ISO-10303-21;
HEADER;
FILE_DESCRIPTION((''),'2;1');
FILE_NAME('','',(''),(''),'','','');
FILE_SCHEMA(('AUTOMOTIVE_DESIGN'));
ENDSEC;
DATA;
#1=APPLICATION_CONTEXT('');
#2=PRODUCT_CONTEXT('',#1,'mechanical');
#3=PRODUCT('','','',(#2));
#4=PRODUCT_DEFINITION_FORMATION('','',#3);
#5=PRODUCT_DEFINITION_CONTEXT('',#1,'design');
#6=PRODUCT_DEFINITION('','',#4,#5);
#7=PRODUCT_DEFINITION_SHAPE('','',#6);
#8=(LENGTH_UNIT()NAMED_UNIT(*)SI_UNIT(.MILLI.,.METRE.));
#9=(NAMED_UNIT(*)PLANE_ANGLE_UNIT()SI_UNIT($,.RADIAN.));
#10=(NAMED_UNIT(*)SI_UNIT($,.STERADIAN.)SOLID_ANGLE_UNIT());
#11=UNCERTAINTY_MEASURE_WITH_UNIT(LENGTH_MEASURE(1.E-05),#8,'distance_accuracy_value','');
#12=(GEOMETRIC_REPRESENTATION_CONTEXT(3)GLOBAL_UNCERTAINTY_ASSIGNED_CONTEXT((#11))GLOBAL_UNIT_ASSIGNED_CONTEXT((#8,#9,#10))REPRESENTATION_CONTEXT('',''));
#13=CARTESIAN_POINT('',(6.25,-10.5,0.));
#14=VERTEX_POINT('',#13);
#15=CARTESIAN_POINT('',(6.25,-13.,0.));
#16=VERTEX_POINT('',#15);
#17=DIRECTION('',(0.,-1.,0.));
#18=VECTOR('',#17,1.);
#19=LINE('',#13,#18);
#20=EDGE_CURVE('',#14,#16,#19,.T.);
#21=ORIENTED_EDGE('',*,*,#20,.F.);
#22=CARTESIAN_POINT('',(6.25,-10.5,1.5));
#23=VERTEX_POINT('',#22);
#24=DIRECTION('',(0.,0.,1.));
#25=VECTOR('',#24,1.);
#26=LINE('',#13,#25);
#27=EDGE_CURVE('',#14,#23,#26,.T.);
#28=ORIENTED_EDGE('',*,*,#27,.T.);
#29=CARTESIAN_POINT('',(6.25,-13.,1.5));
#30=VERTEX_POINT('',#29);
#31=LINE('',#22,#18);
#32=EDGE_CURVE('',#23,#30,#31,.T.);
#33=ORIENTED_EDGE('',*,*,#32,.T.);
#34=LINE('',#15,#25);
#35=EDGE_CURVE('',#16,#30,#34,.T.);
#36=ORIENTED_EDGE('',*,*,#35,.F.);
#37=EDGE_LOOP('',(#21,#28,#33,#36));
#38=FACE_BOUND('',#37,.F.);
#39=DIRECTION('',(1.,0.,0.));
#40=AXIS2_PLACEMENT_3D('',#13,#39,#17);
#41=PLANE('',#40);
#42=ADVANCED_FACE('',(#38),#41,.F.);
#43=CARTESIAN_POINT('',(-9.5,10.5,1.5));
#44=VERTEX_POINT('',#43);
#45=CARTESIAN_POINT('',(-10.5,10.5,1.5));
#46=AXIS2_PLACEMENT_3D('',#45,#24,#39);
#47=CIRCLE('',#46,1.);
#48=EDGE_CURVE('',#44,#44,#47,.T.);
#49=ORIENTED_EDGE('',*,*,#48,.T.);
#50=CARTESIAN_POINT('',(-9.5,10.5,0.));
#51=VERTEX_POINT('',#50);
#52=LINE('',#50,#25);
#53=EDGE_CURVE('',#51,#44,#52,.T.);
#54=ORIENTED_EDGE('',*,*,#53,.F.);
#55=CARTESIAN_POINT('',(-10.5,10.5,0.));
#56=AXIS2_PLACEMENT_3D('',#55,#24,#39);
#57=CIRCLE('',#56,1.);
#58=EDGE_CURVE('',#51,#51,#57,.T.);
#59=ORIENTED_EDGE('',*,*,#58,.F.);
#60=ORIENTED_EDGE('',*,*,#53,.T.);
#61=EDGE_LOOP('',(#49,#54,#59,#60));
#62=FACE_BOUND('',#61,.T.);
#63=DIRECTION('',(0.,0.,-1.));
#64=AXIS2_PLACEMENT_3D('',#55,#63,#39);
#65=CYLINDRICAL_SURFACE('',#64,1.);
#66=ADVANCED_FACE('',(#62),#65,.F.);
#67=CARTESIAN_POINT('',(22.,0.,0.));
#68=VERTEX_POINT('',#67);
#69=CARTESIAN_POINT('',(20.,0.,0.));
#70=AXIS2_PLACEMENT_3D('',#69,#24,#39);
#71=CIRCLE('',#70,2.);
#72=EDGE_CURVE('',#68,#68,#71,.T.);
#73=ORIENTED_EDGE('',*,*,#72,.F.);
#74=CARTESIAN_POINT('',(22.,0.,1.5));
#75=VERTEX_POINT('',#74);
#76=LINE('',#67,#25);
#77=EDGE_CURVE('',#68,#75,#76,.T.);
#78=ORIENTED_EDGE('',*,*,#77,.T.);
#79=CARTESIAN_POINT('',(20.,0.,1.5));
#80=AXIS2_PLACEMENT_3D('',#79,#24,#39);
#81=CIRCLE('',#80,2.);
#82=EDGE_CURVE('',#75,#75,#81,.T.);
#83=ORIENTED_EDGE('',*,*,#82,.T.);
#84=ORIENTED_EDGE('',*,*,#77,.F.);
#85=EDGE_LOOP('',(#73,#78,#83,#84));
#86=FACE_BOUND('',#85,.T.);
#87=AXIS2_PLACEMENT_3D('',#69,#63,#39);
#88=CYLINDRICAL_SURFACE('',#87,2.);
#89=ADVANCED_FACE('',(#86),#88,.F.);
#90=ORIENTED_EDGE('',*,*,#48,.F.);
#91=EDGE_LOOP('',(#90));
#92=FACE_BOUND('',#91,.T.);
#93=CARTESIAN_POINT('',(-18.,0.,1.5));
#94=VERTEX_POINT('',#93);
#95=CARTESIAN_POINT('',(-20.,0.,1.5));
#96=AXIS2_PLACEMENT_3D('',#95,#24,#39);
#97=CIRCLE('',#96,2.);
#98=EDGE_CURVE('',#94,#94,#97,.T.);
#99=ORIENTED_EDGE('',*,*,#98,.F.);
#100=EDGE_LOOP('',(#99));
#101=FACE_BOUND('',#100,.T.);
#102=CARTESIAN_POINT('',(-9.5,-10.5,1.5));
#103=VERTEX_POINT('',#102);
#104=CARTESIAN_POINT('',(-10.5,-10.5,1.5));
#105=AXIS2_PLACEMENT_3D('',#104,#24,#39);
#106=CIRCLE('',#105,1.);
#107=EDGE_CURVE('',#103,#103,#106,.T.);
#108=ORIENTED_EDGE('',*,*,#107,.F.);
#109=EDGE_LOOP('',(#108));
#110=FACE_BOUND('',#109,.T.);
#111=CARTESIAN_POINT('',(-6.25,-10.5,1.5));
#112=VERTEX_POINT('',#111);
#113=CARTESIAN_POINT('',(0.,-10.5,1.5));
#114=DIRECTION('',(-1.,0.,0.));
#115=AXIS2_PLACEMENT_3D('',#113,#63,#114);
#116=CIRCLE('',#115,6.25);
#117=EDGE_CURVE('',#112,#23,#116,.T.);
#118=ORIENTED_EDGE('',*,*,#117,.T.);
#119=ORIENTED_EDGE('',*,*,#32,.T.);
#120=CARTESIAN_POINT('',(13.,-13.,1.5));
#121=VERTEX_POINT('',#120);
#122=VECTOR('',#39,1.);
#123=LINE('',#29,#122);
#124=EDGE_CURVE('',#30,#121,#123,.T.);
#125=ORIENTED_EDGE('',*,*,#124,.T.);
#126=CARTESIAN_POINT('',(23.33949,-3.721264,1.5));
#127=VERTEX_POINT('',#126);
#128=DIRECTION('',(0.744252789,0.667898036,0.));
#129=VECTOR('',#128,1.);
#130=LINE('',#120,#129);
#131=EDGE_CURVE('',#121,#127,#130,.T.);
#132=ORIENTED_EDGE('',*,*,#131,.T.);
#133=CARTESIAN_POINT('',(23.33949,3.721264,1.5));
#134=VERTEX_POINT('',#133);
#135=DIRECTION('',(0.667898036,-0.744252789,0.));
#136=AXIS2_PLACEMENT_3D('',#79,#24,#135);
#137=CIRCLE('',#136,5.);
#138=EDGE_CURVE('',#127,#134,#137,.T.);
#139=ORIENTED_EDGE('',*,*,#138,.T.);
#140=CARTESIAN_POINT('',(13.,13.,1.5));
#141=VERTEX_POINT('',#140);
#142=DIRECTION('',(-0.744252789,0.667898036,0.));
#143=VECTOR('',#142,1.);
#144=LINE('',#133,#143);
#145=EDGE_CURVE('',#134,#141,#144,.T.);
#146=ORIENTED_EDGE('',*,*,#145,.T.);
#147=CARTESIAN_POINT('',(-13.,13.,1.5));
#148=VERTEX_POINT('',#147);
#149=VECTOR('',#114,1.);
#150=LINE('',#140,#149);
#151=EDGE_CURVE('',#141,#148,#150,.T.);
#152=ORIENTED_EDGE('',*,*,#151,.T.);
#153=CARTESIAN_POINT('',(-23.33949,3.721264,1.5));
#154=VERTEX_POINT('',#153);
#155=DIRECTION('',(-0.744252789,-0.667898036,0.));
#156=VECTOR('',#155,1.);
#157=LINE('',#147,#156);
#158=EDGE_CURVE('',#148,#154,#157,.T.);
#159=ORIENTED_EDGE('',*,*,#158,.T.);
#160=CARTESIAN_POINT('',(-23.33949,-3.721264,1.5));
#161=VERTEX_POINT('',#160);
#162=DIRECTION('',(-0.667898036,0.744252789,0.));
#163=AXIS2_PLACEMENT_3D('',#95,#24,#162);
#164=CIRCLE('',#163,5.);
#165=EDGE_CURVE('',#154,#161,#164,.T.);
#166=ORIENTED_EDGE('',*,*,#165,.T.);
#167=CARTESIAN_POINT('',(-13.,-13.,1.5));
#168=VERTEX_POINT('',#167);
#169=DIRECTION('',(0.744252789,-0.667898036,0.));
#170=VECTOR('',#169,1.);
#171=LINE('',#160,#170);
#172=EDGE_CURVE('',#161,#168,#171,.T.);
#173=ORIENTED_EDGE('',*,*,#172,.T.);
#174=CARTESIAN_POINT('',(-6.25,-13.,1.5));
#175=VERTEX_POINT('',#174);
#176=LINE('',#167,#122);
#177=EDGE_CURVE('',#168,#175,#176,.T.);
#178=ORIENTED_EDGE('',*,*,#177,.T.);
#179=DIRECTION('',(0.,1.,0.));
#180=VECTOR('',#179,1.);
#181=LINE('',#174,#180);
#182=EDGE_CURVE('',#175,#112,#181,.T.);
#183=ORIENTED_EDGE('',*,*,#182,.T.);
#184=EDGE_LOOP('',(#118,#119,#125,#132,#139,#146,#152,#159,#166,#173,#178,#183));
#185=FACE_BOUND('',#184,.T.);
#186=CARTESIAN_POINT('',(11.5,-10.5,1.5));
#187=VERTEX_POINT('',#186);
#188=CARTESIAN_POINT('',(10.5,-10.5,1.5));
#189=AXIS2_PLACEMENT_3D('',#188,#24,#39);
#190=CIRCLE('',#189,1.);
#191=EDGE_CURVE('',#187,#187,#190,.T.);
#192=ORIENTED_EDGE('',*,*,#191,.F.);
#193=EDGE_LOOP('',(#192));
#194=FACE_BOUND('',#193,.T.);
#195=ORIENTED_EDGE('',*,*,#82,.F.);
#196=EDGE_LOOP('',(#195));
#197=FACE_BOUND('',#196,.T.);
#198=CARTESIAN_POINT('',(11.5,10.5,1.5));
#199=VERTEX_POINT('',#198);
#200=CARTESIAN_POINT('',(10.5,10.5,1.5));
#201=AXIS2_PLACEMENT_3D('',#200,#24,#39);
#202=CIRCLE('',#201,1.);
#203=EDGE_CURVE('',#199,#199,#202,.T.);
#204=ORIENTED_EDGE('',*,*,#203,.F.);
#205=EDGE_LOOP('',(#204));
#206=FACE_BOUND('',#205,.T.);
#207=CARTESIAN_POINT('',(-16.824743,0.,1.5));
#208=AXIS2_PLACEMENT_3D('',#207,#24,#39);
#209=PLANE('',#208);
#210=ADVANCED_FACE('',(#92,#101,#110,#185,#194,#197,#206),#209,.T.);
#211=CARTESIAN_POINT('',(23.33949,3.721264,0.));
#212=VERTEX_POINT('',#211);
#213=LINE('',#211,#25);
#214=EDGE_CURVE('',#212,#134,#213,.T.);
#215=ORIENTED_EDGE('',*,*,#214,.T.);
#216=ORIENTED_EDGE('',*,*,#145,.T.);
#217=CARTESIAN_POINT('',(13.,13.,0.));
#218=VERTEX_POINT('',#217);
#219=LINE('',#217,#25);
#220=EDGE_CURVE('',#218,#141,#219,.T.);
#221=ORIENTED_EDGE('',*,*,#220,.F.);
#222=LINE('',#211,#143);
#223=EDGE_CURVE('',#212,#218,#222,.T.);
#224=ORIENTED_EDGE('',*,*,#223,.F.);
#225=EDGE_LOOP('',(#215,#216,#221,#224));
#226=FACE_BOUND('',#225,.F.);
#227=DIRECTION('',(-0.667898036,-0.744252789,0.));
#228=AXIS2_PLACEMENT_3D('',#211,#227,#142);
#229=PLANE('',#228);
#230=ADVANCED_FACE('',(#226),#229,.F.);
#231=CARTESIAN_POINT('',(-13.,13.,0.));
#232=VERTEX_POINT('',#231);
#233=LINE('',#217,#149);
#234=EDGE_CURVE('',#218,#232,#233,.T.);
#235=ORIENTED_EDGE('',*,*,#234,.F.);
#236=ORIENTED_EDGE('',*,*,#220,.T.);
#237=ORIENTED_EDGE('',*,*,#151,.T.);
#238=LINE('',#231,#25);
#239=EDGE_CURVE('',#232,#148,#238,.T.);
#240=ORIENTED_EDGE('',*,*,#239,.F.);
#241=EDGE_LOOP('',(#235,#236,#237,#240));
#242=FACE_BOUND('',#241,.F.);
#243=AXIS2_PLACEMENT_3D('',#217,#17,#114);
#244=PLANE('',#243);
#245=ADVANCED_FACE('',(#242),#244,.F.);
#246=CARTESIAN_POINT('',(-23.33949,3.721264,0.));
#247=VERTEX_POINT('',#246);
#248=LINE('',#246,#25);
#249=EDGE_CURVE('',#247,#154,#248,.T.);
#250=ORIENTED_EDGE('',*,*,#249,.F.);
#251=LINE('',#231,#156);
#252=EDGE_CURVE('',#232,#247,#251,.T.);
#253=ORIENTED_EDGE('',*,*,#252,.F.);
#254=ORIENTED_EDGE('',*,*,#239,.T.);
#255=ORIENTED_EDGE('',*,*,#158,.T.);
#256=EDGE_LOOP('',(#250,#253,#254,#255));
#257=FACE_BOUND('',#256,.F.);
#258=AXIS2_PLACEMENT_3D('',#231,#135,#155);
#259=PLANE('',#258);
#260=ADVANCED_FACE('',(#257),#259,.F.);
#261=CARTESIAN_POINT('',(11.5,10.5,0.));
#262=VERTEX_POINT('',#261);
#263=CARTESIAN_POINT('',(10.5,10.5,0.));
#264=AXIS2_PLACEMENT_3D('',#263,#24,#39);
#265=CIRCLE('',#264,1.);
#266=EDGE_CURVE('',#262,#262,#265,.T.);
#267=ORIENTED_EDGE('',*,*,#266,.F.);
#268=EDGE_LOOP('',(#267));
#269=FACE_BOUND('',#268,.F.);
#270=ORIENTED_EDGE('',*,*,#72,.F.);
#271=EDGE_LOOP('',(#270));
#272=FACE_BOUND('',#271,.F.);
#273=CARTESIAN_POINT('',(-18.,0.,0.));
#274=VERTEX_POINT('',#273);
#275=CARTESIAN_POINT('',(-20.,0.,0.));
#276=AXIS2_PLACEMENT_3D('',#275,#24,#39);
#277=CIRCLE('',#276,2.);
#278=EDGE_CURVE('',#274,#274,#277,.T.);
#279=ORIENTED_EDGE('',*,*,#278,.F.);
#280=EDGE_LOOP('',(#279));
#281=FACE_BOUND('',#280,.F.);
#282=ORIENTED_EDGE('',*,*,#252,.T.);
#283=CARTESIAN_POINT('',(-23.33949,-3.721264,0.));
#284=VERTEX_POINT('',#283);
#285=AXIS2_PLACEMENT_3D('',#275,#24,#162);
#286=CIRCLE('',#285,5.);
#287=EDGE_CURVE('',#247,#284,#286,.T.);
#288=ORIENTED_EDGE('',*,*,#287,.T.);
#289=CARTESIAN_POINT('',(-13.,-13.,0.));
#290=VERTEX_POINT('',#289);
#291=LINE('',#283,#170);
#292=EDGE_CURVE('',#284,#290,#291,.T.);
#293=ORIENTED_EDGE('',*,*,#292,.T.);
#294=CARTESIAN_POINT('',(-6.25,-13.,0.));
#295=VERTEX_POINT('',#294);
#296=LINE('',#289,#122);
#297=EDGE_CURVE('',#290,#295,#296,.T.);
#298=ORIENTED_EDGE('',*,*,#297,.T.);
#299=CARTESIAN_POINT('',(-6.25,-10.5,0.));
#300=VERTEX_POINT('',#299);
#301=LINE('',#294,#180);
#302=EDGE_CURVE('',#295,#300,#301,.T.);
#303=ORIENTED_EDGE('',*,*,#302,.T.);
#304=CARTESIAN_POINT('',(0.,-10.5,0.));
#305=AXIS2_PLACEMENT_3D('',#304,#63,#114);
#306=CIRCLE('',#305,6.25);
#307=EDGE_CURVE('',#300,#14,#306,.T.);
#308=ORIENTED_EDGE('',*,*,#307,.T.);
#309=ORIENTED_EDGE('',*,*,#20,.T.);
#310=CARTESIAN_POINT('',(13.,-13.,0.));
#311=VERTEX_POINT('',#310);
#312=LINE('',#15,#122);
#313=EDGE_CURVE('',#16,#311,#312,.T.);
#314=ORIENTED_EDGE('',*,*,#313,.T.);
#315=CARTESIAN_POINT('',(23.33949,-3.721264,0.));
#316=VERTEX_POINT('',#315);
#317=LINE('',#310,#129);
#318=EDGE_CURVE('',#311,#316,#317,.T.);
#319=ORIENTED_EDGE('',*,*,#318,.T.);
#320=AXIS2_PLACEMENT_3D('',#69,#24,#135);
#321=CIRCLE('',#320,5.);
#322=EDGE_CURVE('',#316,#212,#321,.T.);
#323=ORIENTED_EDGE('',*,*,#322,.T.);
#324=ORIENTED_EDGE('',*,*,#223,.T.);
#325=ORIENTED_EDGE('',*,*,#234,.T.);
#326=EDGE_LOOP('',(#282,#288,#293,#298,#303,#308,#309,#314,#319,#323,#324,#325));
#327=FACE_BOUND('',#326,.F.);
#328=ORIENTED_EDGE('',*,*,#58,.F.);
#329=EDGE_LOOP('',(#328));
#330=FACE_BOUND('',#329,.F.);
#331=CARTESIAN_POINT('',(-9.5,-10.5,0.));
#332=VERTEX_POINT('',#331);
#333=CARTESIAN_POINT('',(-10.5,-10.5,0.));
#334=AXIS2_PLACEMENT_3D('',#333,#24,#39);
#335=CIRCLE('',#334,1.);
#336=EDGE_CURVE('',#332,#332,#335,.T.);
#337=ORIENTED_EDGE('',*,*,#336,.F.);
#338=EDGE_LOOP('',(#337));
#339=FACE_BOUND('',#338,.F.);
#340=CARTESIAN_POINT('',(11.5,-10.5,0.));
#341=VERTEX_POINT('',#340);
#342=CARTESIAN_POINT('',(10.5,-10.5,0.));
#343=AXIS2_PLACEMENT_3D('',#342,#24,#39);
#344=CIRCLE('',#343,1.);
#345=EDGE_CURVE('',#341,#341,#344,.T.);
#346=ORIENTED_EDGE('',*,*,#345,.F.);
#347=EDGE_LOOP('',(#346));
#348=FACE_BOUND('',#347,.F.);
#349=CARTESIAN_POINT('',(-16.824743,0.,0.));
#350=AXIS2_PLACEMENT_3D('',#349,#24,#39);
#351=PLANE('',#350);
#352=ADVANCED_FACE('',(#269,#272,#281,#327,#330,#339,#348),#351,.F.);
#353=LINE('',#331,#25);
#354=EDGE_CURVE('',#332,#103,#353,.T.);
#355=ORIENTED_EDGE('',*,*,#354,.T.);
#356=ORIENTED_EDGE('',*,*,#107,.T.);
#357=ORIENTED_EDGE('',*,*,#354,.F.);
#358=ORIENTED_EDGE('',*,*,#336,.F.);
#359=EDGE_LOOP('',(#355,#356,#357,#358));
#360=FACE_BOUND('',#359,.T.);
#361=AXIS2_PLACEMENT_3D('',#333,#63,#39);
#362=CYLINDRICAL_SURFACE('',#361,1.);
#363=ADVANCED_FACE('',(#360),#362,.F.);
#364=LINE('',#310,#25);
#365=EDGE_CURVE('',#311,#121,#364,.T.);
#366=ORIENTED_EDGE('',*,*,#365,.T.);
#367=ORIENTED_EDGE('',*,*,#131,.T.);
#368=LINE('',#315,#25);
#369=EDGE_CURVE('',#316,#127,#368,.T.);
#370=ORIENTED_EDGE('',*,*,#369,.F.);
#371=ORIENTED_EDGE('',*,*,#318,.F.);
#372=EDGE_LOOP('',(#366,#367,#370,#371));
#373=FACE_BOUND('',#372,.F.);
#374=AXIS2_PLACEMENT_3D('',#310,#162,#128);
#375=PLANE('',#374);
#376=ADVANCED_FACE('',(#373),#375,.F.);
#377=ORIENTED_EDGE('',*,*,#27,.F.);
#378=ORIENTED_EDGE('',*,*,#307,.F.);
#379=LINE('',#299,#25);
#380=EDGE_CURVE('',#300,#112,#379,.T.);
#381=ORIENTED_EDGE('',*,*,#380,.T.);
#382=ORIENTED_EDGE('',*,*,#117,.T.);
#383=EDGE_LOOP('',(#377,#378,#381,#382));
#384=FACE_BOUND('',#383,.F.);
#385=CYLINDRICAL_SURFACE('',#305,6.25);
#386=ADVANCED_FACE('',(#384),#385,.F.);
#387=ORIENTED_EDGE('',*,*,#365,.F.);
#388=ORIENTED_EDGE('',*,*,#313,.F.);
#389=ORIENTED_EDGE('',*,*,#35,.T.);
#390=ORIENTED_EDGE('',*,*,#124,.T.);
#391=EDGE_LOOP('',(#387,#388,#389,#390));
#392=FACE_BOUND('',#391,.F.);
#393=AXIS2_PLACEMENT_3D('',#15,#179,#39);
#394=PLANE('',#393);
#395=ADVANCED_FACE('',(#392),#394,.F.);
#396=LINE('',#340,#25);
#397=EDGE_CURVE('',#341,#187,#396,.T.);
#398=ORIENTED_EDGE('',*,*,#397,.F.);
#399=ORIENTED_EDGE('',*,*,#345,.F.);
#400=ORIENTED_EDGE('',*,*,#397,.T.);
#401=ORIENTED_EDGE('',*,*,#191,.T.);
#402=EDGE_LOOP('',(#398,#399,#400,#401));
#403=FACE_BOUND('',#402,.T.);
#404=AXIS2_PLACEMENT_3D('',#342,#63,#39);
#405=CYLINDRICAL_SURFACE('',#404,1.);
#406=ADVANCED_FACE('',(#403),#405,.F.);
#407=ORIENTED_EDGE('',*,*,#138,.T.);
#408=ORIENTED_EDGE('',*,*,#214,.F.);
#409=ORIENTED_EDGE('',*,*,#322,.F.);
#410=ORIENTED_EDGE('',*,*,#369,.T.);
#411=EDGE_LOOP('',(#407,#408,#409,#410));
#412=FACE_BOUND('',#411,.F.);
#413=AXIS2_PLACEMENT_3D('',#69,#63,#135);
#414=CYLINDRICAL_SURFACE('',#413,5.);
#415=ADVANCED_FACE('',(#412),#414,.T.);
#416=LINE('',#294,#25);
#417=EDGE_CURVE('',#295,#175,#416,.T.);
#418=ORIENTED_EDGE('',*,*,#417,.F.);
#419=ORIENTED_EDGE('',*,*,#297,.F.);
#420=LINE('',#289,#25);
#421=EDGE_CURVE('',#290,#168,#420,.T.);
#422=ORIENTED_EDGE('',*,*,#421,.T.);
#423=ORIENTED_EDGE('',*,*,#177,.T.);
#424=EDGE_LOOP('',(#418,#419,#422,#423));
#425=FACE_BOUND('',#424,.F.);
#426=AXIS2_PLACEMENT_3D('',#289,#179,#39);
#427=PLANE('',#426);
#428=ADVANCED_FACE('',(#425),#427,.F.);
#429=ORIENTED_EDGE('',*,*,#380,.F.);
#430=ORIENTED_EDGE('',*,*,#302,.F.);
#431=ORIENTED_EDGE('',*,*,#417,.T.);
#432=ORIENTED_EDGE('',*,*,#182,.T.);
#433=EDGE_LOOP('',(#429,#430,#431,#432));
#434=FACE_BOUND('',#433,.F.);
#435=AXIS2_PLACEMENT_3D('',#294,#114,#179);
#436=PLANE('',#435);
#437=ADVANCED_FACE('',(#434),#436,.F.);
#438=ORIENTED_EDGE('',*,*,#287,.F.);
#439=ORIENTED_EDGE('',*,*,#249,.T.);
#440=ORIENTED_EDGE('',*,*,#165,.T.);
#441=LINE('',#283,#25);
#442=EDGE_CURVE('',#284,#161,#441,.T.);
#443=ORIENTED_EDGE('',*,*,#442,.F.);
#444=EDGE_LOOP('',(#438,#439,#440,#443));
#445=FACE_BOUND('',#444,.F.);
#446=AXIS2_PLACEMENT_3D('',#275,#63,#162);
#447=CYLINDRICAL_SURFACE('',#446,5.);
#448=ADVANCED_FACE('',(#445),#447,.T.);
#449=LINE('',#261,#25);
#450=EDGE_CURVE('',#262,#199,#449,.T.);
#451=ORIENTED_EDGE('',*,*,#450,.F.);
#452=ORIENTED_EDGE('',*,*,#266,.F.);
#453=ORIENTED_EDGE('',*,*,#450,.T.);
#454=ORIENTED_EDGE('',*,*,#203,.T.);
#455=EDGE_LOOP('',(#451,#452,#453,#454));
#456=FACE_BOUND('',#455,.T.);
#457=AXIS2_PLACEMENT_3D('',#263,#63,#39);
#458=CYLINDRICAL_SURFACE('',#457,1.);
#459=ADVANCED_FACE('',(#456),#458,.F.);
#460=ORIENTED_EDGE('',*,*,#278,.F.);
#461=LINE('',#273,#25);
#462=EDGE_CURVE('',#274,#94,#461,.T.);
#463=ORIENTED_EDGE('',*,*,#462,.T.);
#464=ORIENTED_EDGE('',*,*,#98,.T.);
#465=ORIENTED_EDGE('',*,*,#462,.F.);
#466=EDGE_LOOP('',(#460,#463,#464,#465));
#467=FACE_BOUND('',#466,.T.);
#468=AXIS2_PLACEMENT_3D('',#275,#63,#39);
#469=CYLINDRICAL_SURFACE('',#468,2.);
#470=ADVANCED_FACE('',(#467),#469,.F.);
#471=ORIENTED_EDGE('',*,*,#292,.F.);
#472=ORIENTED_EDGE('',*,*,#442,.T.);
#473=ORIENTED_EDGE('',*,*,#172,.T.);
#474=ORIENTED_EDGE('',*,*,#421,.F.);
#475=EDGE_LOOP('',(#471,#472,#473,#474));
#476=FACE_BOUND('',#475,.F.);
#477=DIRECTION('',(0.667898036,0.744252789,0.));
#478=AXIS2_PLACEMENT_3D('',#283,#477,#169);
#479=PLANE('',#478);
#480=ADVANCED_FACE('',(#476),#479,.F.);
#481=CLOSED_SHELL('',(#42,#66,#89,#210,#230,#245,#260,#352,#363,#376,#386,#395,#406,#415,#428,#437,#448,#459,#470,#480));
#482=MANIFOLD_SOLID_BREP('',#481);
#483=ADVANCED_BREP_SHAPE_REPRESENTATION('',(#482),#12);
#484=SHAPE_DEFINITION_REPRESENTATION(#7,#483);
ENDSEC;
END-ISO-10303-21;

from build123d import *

# Parameters (mm, degrees)
F0_R     = 2
F0_R_2   = 1
F1_DEPTH = 1.5


with BuildPart() as f1:
    # F0 (on Top) → F1 (new body)
    with BuildSketch(Plane.XY):
        with BuildLine():
            Line((-13, -13), (-13, 13))
            Line((-13, 13), (-23.3394901803, 3.7212639433))
            ThreePointArc((-23.3394901803, 3.7212639433), (-25, 0), (-23.3394901803, -3.7212639433))
            Line((-23.3394901803, -3.7212639433), (-13, -13))
        make_face()
        with Locations((-20, 0)):
            Circle(F0_R, mode=Mode.SUBTRACT)
        with BuildLine():
            Line((23.3394901803, 3.7212639433), (13, 13))
            Line((13, 13), (13, -13))
            Line((13, -13), (23.3394901803, -3.7212639433))
            ThreePointArc((23.3394901803, -3.7212639433), (25, 0), (23.3394901803, 3.7212639433))
        make_face()
        with Locations((20, 0)):
            Circle(F0_R, mode=Mode.SUBTRACT)
        with BuildLine():
            Line((-5.7282196187, 13), (-13, 13))
            Line((-13, 13), (-13, -13))
            Line((-13, -13), (-6.25, -13))
            Line((-6.25, -13), (-6.25, -10.5))
            ThreePointArc((-6.25, -10.5), (0, -4.25), (6.25, -10.5))
            Line((6.25, -10.5), (6.25, -13))
            Line((6.25, -13), (13, -13))
            Line((13, -13), (13, 13))
            Line((13, 13), (5.7282196187, 13))
            ThreePointArc((5.7282196187, 13), (6.1181644558, 11.7769352731), (6.25, 10.5))
            ThreePointArc((6.25, 10.5), (-1.2769352731, 4.3818355442), (-5.7282196187, 13))
        make_face()
        with Locations((-10.5, -10.5)):
            Circle(F0_R_2, mode=Mode.SUBTRACT)
        with Locations((10.5, -10.5)):
            Circle(F0_R_2, mode=Mode.SUBTRACT)
        with Locations((-10.5, 10.5)):
            Circle(F0_R_2, mode=Mode.SUBTRACT)
        with Locations((10.5, 10.5)):
            Circle(F0_R_2, mode=Mode.SUBTRACT)
        with BuildLine():
            Line((5.7282196187, 13), (-5.7282196187, 13))
            ThreePointArc((-5.7282196187, 13), (-1.2769352731, 4.3818355442), (6.25, 10.5))
            ThreePointArc((6.25, 10.5), (6.1181644558, 11.7769352731), (5.7282196187, 13))
        make_face()
    extrude(amount=F1_DEPTH)


solid = f1.part
